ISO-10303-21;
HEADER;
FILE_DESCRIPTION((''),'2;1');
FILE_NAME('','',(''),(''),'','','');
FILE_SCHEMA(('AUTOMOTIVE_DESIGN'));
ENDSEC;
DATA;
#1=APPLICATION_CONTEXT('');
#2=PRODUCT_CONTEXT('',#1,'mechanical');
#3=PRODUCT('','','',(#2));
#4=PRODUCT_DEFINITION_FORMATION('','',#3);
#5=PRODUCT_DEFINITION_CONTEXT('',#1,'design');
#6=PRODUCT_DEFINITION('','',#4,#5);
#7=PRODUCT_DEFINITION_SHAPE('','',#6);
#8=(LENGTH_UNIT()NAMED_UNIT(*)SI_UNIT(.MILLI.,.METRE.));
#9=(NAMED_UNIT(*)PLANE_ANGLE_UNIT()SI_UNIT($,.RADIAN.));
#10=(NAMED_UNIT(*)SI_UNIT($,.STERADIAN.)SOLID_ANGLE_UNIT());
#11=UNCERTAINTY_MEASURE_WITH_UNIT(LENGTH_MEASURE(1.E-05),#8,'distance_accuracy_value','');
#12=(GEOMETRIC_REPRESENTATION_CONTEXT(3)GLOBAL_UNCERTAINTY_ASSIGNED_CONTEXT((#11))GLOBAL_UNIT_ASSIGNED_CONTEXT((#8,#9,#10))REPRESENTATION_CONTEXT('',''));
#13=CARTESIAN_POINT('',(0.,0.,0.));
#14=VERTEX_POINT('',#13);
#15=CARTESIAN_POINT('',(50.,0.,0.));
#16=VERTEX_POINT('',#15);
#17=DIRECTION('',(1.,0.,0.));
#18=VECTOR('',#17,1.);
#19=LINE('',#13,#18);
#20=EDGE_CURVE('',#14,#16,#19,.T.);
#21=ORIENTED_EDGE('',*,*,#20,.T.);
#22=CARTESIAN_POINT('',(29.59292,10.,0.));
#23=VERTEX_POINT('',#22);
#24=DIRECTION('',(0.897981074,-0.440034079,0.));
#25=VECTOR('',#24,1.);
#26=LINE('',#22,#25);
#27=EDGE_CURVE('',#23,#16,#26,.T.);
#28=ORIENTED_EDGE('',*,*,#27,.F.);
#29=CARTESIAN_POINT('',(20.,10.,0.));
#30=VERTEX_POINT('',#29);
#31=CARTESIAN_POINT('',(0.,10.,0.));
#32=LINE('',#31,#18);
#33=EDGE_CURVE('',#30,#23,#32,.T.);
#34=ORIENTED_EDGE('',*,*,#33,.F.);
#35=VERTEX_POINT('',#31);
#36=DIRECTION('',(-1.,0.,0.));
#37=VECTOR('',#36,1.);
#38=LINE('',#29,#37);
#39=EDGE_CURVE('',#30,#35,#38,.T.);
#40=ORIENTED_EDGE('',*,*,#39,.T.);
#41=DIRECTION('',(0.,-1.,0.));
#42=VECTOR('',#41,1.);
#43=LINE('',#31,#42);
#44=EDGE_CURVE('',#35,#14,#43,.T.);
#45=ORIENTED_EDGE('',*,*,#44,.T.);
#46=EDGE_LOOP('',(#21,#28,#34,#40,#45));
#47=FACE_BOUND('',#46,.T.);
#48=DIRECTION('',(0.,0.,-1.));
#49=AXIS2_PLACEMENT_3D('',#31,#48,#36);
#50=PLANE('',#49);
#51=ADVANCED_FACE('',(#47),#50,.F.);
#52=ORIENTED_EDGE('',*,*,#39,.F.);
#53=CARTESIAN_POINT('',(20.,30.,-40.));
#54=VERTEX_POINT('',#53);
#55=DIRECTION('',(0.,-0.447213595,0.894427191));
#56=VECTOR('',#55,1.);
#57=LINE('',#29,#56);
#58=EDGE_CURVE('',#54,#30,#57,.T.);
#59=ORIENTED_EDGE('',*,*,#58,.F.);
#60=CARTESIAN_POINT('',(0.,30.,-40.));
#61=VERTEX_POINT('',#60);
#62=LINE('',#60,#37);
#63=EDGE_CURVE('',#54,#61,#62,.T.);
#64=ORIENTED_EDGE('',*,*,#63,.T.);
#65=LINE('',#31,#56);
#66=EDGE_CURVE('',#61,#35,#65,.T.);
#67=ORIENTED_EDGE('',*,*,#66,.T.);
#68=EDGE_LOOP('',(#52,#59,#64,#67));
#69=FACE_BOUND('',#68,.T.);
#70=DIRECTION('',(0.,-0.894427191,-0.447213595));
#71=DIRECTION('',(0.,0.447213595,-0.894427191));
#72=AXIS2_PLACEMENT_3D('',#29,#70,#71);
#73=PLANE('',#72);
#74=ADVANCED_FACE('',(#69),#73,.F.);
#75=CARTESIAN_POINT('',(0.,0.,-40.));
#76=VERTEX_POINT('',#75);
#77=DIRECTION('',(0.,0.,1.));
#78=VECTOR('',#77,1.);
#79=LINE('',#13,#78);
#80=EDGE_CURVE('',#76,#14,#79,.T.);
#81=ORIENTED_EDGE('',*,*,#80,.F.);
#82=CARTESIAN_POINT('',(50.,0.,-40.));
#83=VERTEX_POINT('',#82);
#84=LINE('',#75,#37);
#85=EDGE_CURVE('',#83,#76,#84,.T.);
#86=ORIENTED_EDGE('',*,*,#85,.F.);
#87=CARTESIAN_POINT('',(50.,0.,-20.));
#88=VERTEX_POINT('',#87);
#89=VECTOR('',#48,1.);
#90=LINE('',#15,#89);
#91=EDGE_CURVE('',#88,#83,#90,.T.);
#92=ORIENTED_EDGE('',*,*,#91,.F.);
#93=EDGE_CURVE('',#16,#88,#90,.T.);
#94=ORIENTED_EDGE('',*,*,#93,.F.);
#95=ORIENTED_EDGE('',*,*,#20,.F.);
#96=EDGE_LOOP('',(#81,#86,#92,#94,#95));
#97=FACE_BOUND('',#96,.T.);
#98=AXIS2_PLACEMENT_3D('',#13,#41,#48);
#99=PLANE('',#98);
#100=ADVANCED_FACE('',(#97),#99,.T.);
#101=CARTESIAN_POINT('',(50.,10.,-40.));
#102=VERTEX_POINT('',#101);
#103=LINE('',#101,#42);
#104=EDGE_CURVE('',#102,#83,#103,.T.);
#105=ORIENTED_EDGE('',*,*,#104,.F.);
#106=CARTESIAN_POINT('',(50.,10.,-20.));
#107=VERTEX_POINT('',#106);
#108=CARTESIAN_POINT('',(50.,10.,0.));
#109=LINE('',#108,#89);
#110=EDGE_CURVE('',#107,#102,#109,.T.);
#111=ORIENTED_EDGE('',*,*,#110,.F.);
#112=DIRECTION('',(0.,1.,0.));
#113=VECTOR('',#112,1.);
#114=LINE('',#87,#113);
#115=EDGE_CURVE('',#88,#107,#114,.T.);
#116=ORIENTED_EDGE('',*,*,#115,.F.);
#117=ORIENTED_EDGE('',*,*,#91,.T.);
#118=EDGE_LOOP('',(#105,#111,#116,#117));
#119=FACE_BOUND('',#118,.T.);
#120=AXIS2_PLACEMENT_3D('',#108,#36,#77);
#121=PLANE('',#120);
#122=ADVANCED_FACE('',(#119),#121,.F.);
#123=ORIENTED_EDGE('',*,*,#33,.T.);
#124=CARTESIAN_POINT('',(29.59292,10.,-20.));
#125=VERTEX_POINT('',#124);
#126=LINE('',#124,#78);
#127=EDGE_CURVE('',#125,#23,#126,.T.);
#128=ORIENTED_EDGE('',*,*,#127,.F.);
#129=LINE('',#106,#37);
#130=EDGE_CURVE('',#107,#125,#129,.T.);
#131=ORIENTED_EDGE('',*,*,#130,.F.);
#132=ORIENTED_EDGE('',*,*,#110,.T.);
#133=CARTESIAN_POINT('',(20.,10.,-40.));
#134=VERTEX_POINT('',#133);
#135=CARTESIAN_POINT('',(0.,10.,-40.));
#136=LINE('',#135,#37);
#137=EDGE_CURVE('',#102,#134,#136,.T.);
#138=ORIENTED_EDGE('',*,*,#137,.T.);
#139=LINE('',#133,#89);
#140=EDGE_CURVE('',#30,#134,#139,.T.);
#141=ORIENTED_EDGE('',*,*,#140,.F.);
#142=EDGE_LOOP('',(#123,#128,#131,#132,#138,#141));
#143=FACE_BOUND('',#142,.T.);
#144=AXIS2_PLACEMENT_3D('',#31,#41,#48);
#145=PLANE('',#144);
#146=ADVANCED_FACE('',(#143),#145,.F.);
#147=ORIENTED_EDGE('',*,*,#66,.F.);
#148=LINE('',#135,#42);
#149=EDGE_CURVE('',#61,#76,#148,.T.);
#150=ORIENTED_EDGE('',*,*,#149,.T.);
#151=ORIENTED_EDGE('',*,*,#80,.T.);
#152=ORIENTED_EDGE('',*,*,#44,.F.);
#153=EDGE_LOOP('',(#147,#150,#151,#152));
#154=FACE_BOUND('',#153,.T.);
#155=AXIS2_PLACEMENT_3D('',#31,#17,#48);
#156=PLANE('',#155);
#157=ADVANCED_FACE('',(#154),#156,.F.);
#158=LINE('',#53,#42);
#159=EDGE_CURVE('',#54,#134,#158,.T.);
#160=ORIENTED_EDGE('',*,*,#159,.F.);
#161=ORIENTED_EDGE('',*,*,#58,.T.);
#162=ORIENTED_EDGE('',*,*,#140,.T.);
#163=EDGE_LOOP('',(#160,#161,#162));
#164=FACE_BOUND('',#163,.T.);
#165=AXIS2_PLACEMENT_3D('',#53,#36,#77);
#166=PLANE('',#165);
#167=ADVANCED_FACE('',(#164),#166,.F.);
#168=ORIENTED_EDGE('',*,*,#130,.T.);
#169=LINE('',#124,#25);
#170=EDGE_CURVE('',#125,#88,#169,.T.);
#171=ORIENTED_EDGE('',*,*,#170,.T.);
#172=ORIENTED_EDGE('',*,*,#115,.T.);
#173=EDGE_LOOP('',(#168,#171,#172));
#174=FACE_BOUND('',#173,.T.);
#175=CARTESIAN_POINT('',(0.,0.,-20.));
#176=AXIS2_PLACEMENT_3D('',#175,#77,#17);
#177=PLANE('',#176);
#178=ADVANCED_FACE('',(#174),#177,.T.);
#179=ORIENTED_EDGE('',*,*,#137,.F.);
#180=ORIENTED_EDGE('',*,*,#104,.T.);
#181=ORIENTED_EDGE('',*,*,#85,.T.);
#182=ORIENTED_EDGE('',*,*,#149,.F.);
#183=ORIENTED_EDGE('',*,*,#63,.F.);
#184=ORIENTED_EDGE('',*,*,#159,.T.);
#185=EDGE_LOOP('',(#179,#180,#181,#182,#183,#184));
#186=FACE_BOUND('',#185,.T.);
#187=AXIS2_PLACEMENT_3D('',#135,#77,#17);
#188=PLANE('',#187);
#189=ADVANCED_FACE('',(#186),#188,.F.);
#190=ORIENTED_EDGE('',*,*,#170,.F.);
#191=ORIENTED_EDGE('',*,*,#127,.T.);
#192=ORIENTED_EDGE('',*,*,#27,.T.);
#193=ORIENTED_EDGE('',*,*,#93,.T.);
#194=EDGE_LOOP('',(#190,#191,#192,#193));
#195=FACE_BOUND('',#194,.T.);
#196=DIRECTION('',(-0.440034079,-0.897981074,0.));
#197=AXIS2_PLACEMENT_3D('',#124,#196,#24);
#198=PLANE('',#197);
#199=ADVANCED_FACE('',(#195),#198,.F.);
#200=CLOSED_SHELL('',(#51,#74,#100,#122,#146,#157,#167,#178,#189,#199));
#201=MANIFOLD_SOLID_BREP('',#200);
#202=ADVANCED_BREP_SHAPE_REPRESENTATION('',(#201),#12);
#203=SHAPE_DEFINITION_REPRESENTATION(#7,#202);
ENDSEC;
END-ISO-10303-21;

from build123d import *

# Parameters (mm, degrees)
SKETCH1_W           = 50
SKETCH1_H           = 40
BOSS_EXTRUDE4_DEPTH = 10
CUT_EXTRUDE1_DEPTH  = 20
SKETCH9_W           = 20
SKETCH9_H           = 40
BOSS_EXTRUDE5_DEPTH = 20
CUT_EXTRUDE3_DEPTH  = 20


with BuildPart() as part:
    # Sketch1 → Boss-Extrude4 (new body)
    with BuildSketch(Plane(origin=(0, 0, 0), x_dir=(1, 0, 0), z_dir=(0, 1, 0))):
        with Locations((25, 20)):
            Rectangle(SKETCH1_W, SKETCH1_H)
    extrude(amount=BOSS_EXTRUDE4_DEPTH)

    # Sketch8 → Cut-Extrude1 (cut)
    with BuildSketch(Plane.XY):
        Polygon((50, 0), (50, 10), (29.592919786, 10), align=None)
    extrude(amount=-CUT_EXTRUDE1_DEPTH, mode=Mode.SUBTRACT)

    # Sketch9 → Boss-Extrude5 (add)
    with BuildSketch(Plane(origin=(0, 10, 0), x_dir=(1, 0, 0), z_dir=(0, 1, 0))):
        with Locations((10, 20)):
            Rectangle(SKETCH9_W, SKETCH9_H)
    extrude(amount=BOSS_EXTRUDE5_DEPTH)

    # Sketch10 → Cut-Extrude3 (cut)
    with BuildSketch(Plane.ZY):
        Polygon((-40, 30), (0, 30), (0, 10), align=None)
    extrude(amount=-CUT_EXTRUDE3_DEPTH, mode=Mode.SUBTRACT)


solid = part.part
